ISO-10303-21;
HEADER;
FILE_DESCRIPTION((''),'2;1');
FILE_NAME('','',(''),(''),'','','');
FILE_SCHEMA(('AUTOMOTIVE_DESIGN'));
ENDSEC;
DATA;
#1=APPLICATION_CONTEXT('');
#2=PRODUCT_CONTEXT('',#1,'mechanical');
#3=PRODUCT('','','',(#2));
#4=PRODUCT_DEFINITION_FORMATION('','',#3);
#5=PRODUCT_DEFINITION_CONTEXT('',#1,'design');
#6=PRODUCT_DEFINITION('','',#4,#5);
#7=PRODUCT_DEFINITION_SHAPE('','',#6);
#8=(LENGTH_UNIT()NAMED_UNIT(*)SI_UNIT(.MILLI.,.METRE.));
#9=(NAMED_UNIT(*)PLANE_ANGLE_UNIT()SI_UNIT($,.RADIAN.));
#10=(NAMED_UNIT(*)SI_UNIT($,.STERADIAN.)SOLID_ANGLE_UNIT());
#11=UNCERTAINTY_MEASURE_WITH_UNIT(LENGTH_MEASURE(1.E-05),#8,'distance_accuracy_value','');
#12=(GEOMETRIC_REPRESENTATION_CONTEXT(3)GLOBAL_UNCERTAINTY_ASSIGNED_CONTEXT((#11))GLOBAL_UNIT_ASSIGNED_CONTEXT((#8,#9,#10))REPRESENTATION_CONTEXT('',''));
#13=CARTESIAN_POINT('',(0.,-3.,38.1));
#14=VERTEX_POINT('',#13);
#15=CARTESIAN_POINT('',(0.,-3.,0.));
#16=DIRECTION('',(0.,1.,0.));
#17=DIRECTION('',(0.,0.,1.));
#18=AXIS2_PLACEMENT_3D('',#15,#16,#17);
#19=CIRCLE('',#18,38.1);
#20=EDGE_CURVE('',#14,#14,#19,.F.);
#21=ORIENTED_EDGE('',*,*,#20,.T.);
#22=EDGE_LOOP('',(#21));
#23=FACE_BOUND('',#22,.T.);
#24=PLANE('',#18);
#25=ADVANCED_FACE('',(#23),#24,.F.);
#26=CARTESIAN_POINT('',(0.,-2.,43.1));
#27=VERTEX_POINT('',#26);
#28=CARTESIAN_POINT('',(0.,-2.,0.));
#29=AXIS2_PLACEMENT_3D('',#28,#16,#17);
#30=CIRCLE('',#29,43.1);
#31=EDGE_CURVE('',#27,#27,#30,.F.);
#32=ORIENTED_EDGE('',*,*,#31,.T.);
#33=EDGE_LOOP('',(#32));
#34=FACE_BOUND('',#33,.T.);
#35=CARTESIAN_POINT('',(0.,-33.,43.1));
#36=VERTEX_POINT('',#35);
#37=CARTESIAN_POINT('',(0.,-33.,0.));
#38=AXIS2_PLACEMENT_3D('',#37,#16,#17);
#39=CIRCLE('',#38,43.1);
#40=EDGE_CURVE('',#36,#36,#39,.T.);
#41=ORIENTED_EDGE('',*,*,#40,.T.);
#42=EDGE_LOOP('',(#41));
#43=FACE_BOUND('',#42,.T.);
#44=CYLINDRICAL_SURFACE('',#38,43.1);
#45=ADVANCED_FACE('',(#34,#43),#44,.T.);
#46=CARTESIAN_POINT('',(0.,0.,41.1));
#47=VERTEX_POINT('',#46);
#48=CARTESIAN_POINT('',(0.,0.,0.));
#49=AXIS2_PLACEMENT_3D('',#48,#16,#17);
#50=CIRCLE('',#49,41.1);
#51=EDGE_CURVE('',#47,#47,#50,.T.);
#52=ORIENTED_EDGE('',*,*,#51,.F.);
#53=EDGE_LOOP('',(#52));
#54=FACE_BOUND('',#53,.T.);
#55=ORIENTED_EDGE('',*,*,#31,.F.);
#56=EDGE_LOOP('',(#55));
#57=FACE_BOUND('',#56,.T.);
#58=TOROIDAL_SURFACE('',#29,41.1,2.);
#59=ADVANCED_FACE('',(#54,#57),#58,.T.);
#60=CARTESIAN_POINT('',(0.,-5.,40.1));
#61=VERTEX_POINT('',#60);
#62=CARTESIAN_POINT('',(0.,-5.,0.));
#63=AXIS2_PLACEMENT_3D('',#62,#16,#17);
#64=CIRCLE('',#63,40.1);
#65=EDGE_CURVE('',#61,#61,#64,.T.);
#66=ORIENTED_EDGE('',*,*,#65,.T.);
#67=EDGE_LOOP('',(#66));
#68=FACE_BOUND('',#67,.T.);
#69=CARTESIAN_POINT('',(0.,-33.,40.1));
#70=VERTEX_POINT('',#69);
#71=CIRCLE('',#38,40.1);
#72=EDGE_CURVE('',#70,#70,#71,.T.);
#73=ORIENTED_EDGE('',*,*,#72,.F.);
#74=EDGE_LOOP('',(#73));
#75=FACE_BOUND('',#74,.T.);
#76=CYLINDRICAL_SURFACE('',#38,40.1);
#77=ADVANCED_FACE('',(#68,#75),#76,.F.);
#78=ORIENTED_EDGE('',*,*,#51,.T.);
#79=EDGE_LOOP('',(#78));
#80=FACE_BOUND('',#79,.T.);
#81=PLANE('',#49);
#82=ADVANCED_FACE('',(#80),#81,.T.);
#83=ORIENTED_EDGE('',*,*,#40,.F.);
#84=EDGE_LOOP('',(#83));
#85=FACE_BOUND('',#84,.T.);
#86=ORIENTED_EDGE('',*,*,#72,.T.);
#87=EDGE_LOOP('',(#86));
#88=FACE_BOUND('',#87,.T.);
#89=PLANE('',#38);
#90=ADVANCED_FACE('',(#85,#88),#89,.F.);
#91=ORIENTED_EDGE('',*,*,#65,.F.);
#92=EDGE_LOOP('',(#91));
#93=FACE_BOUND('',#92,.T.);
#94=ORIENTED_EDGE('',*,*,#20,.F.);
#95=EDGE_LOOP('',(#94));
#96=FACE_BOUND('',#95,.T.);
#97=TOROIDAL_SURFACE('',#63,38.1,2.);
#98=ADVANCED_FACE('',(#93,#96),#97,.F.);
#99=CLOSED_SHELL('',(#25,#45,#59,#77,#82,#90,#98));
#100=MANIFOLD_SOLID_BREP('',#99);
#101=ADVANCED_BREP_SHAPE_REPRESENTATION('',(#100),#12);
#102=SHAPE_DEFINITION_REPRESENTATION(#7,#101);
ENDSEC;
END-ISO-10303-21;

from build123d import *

# Parameters (mm, degrees)
SKETCH1_R           = 43.1
SKETCH1_R_2         = 40.1
BOSS_EXTRUDE1_DEPTH = 33
SKETCH1_2_R         = 40.1
BOSS_EXTRUDE2_DEPTH = 3
FILLET1_R           = 2


with BuildPart() as part:
    # Sketch1 → Boss-Extrude1 (new body)
    with BuildSketch(Plane(origin=(0, 0, 0), x_dir=(1, 0, 0), z_dir=(0, 1, 0))):
        Circle(SKETCH1_R)
        Circle(SKETCH1_R_2, mode=Mode.SUBTRACT)
    extrude(amount=-BOSS_EXTRUDE1_DEPTH)

    # Sketch1<2> → Boss-Extrude2 (add)
    with BuildSketch(Plane(origin=(0, 0, 0), x_dir=(1, 0, 0), z_dir=(0, 1, 0))):
        Circle(SKETCH1_2_R)
    extrude(amount=-BOSS_EXTRUDE2_DEPTH)

    # Fillet1
    fillet1_edges = [part.edges().sort_by_distance(p)[0] for p in [
        (-43.1, 0, 0),
        (-40.1, -3, 0),
    ]]
    fillet(fillet1_edges, radius=FILLET1_R)


solid = part.part
